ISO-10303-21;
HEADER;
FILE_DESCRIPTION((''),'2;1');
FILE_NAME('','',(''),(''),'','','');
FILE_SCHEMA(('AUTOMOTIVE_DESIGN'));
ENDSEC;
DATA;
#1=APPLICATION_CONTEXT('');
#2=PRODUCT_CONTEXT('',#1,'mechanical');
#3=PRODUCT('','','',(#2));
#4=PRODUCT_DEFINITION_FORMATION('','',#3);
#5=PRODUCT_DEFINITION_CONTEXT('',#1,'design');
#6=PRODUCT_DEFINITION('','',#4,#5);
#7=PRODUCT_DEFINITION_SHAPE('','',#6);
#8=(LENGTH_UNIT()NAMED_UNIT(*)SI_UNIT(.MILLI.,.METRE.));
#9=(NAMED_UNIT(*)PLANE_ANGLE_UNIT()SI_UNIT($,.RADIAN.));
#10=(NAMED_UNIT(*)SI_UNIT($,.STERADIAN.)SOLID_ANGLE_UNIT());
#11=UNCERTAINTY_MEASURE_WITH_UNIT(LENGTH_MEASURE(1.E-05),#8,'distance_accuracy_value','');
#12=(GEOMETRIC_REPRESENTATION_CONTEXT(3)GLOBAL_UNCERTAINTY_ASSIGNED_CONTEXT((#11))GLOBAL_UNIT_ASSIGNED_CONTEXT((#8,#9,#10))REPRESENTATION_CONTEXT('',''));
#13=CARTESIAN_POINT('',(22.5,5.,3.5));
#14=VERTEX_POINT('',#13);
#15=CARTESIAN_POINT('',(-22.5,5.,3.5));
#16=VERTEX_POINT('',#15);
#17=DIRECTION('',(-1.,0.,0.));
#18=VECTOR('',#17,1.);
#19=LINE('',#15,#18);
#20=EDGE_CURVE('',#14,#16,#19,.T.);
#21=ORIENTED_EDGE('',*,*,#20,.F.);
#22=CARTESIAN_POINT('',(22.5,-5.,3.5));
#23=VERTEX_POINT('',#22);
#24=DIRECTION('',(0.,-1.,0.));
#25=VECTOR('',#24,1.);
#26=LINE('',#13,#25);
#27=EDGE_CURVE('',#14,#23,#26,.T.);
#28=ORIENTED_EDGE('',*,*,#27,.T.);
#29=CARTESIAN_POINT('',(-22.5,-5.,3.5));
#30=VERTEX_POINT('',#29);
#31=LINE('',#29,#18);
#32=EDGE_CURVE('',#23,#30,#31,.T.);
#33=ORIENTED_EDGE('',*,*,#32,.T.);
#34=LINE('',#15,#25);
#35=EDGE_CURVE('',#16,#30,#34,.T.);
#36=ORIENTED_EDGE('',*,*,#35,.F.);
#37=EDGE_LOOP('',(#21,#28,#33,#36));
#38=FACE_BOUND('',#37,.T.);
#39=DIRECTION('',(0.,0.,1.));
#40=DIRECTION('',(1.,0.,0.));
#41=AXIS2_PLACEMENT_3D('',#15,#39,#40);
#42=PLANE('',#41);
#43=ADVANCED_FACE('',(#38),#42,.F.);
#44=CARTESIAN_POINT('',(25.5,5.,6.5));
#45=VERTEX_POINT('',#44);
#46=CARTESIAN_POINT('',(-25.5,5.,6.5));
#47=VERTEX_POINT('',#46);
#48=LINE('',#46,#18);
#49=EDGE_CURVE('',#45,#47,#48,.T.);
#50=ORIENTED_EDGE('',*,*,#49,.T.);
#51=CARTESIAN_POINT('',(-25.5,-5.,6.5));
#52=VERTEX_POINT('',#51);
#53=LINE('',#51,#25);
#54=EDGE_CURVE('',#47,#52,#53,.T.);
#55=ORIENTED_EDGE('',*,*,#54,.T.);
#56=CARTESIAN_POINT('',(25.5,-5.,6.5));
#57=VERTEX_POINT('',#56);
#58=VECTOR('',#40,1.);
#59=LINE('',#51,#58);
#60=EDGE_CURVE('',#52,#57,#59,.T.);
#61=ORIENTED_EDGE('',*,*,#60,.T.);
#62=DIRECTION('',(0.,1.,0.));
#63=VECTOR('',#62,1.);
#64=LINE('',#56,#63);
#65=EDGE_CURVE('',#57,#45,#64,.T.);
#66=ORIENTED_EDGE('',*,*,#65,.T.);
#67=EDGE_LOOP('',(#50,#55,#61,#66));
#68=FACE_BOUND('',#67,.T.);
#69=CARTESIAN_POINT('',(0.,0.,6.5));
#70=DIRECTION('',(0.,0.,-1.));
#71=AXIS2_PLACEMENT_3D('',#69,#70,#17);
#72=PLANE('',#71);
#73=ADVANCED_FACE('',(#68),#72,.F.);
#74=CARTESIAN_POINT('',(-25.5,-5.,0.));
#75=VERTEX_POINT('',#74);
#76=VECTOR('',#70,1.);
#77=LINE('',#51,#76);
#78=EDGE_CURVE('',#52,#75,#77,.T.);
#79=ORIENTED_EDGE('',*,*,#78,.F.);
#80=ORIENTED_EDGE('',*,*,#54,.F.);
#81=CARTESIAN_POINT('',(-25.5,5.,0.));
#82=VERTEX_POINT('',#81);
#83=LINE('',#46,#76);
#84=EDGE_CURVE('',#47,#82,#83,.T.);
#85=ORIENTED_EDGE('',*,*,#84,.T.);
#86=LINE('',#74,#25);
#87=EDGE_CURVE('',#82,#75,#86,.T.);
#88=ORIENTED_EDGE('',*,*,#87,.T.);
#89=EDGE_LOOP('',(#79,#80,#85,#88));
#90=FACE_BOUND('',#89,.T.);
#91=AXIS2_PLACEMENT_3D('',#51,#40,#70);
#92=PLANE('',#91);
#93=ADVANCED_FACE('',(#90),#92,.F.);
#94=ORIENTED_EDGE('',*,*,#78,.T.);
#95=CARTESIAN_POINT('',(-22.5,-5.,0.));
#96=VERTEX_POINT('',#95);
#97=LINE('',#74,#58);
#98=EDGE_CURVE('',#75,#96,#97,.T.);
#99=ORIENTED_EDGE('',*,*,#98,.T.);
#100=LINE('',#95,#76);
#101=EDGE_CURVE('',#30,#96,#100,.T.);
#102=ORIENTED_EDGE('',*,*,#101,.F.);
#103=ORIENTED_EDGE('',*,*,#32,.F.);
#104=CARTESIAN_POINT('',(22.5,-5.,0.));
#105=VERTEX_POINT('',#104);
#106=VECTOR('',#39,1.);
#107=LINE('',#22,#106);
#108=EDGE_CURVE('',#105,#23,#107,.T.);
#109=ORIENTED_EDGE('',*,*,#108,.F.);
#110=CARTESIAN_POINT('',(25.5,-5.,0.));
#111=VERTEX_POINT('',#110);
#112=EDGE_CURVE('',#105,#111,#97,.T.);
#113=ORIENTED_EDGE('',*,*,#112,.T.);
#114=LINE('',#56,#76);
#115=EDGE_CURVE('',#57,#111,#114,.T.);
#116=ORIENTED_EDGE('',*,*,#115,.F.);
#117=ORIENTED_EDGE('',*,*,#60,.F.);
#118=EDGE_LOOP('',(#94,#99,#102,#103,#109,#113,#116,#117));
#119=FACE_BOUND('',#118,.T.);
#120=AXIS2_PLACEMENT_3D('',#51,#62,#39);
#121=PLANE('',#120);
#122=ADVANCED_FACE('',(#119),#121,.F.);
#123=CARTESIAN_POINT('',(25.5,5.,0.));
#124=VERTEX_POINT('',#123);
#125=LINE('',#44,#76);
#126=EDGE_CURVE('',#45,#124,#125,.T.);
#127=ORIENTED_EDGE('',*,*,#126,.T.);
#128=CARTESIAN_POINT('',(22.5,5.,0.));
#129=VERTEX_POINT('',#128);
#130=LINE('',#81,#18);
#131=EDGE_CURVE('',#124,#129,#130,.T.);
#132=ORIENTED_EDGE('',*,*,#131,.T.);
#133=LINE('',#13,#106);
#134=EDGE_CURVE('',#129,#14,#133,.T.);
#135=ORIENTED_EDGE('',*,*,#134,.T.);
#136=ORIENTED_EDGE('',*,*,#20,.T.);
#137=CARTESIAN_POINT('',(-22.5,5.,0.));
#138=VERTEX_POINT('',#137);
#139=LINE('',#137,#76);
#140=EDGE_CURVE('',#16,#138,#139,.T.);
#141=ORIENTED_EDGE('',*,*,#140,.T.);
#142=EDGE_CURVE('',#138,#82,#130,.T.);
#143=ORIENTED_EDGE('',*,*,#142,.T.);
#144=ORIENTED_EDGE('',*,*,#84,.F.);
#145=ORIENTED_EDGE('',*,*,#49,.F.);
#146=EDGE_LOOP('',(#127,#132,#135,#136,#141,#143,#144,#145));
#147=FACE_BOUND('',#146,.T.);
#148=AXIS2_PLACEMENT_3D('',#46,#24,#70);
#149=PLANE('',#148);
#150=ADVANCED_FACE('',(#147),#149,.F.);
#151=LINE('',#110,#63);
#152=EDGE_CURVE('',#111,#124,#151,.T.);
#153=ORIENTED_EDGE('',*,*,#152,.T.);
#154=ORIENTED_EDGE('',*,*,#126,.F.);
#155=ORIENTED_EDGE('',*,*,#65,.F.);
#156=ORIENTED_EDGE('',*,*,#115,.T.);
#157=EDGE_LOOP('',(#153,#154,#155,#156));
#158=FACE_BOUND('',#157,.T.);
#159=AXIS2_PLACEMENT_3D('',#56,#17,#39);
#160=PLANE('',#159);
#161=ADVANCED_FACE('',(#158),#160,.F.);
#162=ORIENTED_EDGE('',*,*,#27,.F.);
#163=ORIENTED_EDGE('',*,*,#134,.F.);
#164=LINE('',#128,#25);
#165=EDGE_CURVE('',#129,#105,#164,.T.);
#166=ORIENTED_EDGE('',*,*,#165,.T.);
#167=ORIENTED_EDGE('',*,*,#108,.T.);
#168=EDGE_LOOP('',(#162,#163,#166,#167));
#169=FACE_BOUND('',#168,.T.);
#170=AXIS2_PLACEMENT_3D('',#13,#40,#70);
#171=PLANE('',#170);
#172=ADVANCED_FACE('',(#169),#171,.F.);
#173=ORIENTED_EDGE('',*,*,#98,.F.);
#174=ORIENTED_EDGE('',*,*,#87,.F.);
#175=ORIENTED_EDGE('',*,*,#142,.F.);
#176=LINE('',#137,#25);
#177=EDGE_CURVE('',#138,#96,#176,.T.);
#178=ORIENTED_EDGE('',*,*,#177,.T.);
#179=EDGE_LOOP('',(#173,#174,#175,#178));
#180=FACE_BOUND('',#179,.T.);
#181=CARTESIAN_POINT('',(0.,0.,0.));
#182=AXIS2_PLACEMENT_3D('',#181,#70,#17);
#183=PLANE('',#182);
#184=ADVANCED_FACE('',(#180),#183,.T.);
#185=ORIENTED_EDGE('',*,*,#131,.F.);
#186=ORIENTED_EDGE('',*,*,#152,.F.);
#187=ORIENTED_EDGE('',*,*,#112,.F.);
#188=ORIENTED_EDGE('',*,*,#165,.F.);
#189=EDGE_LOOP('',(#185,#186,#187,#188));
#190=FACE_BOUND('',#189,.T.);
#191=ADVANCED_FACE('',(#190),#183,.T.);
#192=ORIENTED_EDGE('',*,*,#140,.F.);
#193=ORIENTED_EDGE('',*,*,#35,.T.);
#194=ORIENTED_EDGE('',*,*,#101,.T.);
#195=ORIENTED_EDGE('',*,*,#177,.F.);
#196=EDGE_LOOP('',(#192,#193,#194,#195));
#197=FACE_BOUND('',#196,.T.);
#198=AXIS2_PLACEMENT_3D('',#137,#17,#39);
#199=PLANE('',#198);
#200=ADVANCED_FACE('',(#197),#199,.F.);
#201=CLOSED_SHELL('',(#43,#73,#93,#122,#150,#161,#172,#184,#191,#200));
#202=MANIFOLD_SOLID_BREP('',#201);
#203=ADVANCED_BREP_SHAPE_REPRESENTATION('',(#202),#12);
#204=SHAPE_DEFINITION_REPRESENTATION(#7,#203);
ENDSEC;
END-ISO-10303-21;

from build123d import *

# Parameters (mm, degrees)
SKETCH1_W           = 51
SKETCH1_H           = 10
BOSS_EXTRUDE1_DEPTH = 6.5
SKETCH2_W           = 45
SKETCH2_H           = 3.5
CUT_EXTRUDE1_DEPTH  = 10


with BuildPart() as part:
    # Sketch1 → Boss-Extrude1 (new body)
    with BuildSketch(Plane.XY):
        Rectangle(SKETCH1_W, SKETCH1_H)
    extrude(amount=BOSS_EXTRUDE1_DEPTH)

    # Sketch2 → Cut-Extrude1 (cut)
    with BuildSketch(Plane.XZ.offset(5)):
        with Locations((0, 1.75)):
            Rectangle(SKETCH2_W, SKETCH2_H)
    extrude(amount=-CUT_EXTRUDE1_DEPTH, mode=Mode.SUBTRACT)


solid = part.part
